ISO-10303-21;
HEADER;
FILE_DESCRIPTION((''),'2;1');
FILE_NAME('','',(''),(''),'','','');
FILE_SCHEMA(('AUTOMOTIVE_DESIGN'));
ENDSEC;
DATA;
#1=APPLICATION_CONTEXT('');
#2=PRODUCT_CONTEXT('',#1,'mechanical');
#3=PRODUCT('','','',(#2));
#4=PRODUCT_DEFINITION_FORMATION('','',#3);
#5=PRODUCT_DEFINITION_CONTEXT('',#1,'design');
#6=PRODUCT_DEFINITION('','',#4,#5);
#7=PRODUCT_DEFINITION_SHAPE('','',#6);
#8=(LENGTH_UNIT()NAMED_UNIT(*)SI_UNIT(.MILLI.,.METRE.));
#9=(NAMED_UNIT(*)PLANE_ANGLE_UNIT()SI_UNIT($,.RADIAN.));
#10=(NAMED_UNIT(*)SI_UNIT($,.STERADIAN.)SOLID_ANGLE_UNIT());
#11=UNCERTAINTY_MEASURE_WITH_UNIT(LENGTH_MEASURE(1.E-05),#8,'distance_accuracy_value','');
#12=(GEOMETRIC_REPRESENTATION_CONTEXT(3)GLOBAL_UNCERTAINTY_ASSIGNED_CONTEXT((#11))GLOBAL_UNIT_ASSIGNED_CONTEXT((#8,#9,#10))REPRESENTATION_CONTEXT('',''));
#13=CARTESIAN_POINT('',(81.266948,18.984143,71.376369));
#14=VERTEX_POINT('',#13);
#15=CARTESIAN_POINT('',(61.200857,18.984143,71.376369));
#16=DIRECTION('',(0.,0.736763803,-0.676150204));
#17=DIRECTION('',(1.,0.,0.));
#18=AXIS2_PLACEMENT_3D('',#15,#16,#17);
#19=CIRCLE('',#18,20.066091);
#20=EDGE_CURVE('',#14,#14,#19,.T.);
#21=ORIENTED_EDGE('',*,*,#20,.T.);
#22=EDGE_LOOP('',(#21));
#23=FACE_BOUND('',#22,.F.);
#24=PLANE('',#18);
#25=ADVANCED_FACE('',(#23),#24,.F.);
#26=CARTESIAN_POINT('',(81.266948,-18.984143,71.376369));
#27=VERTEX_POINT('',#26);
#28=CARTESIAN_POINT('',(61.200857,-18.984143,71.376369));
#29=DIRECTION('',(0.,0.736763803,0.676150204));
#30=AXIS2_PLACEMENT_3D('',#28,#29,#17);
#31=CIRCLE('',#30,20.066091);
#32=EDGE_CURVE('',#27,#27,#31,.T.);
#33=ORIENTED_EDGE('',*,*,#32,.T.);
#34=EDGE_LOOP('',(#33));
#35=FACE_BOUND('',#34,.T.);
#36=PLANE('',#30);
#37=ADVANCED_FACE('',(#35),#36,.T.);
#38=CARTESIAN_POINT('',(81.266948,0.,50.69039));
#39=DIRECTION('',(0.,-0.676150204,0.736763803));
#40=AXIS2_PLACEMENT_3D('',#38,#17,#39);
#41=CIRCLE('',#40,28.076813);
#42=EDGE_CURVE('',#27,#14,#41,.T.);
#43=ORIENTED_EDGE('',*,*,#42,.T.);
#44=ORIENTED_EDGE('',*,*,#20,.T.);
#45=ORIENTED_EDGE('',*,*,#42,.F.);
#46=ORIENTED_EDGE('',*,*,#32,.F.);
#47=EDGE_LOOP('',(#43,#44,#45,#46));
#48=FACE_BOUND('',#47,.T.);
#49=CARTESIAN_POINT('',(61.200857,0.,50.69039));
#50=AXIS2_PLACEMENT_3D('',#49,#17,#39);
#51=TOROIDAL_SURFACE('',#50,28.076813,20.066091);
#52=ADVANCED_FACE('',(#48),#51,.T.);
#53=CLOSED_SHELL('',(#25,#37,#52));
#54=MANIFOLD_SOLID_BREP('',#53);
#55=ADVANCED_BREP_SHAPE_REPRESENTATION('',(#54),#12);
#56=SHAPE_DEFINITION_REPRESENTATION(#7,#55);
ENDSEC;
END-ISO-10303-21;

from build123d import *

# Parameters (mm, degrees)
F0_R          = 20.0660907916
F1_ANGLE_BACK = 137.4564660083
F1_ANGLE      = 274.9129320165


with BuildPart() as f1:
    # F0 (on Front) → F1 (revolve)
    with BuildSketch(Plane.XZ, mode=Mode.PRIVATE) as f1_sk:
        with Locations((61.2008571625, 22.6135775447)):
            Circle(F0_R)
    revolve(f1_sk.sketch.rotate(Axis((-85.5049565434, 0, 50.6903901696), (1, 0, 0)), -F1_ANGLE_BACK), axis=Axis((-85.5049565434, 0, 50.6903901696), (1, 0, 0)), revolution_arc=F1_ANGLE)


solid = f1.part
